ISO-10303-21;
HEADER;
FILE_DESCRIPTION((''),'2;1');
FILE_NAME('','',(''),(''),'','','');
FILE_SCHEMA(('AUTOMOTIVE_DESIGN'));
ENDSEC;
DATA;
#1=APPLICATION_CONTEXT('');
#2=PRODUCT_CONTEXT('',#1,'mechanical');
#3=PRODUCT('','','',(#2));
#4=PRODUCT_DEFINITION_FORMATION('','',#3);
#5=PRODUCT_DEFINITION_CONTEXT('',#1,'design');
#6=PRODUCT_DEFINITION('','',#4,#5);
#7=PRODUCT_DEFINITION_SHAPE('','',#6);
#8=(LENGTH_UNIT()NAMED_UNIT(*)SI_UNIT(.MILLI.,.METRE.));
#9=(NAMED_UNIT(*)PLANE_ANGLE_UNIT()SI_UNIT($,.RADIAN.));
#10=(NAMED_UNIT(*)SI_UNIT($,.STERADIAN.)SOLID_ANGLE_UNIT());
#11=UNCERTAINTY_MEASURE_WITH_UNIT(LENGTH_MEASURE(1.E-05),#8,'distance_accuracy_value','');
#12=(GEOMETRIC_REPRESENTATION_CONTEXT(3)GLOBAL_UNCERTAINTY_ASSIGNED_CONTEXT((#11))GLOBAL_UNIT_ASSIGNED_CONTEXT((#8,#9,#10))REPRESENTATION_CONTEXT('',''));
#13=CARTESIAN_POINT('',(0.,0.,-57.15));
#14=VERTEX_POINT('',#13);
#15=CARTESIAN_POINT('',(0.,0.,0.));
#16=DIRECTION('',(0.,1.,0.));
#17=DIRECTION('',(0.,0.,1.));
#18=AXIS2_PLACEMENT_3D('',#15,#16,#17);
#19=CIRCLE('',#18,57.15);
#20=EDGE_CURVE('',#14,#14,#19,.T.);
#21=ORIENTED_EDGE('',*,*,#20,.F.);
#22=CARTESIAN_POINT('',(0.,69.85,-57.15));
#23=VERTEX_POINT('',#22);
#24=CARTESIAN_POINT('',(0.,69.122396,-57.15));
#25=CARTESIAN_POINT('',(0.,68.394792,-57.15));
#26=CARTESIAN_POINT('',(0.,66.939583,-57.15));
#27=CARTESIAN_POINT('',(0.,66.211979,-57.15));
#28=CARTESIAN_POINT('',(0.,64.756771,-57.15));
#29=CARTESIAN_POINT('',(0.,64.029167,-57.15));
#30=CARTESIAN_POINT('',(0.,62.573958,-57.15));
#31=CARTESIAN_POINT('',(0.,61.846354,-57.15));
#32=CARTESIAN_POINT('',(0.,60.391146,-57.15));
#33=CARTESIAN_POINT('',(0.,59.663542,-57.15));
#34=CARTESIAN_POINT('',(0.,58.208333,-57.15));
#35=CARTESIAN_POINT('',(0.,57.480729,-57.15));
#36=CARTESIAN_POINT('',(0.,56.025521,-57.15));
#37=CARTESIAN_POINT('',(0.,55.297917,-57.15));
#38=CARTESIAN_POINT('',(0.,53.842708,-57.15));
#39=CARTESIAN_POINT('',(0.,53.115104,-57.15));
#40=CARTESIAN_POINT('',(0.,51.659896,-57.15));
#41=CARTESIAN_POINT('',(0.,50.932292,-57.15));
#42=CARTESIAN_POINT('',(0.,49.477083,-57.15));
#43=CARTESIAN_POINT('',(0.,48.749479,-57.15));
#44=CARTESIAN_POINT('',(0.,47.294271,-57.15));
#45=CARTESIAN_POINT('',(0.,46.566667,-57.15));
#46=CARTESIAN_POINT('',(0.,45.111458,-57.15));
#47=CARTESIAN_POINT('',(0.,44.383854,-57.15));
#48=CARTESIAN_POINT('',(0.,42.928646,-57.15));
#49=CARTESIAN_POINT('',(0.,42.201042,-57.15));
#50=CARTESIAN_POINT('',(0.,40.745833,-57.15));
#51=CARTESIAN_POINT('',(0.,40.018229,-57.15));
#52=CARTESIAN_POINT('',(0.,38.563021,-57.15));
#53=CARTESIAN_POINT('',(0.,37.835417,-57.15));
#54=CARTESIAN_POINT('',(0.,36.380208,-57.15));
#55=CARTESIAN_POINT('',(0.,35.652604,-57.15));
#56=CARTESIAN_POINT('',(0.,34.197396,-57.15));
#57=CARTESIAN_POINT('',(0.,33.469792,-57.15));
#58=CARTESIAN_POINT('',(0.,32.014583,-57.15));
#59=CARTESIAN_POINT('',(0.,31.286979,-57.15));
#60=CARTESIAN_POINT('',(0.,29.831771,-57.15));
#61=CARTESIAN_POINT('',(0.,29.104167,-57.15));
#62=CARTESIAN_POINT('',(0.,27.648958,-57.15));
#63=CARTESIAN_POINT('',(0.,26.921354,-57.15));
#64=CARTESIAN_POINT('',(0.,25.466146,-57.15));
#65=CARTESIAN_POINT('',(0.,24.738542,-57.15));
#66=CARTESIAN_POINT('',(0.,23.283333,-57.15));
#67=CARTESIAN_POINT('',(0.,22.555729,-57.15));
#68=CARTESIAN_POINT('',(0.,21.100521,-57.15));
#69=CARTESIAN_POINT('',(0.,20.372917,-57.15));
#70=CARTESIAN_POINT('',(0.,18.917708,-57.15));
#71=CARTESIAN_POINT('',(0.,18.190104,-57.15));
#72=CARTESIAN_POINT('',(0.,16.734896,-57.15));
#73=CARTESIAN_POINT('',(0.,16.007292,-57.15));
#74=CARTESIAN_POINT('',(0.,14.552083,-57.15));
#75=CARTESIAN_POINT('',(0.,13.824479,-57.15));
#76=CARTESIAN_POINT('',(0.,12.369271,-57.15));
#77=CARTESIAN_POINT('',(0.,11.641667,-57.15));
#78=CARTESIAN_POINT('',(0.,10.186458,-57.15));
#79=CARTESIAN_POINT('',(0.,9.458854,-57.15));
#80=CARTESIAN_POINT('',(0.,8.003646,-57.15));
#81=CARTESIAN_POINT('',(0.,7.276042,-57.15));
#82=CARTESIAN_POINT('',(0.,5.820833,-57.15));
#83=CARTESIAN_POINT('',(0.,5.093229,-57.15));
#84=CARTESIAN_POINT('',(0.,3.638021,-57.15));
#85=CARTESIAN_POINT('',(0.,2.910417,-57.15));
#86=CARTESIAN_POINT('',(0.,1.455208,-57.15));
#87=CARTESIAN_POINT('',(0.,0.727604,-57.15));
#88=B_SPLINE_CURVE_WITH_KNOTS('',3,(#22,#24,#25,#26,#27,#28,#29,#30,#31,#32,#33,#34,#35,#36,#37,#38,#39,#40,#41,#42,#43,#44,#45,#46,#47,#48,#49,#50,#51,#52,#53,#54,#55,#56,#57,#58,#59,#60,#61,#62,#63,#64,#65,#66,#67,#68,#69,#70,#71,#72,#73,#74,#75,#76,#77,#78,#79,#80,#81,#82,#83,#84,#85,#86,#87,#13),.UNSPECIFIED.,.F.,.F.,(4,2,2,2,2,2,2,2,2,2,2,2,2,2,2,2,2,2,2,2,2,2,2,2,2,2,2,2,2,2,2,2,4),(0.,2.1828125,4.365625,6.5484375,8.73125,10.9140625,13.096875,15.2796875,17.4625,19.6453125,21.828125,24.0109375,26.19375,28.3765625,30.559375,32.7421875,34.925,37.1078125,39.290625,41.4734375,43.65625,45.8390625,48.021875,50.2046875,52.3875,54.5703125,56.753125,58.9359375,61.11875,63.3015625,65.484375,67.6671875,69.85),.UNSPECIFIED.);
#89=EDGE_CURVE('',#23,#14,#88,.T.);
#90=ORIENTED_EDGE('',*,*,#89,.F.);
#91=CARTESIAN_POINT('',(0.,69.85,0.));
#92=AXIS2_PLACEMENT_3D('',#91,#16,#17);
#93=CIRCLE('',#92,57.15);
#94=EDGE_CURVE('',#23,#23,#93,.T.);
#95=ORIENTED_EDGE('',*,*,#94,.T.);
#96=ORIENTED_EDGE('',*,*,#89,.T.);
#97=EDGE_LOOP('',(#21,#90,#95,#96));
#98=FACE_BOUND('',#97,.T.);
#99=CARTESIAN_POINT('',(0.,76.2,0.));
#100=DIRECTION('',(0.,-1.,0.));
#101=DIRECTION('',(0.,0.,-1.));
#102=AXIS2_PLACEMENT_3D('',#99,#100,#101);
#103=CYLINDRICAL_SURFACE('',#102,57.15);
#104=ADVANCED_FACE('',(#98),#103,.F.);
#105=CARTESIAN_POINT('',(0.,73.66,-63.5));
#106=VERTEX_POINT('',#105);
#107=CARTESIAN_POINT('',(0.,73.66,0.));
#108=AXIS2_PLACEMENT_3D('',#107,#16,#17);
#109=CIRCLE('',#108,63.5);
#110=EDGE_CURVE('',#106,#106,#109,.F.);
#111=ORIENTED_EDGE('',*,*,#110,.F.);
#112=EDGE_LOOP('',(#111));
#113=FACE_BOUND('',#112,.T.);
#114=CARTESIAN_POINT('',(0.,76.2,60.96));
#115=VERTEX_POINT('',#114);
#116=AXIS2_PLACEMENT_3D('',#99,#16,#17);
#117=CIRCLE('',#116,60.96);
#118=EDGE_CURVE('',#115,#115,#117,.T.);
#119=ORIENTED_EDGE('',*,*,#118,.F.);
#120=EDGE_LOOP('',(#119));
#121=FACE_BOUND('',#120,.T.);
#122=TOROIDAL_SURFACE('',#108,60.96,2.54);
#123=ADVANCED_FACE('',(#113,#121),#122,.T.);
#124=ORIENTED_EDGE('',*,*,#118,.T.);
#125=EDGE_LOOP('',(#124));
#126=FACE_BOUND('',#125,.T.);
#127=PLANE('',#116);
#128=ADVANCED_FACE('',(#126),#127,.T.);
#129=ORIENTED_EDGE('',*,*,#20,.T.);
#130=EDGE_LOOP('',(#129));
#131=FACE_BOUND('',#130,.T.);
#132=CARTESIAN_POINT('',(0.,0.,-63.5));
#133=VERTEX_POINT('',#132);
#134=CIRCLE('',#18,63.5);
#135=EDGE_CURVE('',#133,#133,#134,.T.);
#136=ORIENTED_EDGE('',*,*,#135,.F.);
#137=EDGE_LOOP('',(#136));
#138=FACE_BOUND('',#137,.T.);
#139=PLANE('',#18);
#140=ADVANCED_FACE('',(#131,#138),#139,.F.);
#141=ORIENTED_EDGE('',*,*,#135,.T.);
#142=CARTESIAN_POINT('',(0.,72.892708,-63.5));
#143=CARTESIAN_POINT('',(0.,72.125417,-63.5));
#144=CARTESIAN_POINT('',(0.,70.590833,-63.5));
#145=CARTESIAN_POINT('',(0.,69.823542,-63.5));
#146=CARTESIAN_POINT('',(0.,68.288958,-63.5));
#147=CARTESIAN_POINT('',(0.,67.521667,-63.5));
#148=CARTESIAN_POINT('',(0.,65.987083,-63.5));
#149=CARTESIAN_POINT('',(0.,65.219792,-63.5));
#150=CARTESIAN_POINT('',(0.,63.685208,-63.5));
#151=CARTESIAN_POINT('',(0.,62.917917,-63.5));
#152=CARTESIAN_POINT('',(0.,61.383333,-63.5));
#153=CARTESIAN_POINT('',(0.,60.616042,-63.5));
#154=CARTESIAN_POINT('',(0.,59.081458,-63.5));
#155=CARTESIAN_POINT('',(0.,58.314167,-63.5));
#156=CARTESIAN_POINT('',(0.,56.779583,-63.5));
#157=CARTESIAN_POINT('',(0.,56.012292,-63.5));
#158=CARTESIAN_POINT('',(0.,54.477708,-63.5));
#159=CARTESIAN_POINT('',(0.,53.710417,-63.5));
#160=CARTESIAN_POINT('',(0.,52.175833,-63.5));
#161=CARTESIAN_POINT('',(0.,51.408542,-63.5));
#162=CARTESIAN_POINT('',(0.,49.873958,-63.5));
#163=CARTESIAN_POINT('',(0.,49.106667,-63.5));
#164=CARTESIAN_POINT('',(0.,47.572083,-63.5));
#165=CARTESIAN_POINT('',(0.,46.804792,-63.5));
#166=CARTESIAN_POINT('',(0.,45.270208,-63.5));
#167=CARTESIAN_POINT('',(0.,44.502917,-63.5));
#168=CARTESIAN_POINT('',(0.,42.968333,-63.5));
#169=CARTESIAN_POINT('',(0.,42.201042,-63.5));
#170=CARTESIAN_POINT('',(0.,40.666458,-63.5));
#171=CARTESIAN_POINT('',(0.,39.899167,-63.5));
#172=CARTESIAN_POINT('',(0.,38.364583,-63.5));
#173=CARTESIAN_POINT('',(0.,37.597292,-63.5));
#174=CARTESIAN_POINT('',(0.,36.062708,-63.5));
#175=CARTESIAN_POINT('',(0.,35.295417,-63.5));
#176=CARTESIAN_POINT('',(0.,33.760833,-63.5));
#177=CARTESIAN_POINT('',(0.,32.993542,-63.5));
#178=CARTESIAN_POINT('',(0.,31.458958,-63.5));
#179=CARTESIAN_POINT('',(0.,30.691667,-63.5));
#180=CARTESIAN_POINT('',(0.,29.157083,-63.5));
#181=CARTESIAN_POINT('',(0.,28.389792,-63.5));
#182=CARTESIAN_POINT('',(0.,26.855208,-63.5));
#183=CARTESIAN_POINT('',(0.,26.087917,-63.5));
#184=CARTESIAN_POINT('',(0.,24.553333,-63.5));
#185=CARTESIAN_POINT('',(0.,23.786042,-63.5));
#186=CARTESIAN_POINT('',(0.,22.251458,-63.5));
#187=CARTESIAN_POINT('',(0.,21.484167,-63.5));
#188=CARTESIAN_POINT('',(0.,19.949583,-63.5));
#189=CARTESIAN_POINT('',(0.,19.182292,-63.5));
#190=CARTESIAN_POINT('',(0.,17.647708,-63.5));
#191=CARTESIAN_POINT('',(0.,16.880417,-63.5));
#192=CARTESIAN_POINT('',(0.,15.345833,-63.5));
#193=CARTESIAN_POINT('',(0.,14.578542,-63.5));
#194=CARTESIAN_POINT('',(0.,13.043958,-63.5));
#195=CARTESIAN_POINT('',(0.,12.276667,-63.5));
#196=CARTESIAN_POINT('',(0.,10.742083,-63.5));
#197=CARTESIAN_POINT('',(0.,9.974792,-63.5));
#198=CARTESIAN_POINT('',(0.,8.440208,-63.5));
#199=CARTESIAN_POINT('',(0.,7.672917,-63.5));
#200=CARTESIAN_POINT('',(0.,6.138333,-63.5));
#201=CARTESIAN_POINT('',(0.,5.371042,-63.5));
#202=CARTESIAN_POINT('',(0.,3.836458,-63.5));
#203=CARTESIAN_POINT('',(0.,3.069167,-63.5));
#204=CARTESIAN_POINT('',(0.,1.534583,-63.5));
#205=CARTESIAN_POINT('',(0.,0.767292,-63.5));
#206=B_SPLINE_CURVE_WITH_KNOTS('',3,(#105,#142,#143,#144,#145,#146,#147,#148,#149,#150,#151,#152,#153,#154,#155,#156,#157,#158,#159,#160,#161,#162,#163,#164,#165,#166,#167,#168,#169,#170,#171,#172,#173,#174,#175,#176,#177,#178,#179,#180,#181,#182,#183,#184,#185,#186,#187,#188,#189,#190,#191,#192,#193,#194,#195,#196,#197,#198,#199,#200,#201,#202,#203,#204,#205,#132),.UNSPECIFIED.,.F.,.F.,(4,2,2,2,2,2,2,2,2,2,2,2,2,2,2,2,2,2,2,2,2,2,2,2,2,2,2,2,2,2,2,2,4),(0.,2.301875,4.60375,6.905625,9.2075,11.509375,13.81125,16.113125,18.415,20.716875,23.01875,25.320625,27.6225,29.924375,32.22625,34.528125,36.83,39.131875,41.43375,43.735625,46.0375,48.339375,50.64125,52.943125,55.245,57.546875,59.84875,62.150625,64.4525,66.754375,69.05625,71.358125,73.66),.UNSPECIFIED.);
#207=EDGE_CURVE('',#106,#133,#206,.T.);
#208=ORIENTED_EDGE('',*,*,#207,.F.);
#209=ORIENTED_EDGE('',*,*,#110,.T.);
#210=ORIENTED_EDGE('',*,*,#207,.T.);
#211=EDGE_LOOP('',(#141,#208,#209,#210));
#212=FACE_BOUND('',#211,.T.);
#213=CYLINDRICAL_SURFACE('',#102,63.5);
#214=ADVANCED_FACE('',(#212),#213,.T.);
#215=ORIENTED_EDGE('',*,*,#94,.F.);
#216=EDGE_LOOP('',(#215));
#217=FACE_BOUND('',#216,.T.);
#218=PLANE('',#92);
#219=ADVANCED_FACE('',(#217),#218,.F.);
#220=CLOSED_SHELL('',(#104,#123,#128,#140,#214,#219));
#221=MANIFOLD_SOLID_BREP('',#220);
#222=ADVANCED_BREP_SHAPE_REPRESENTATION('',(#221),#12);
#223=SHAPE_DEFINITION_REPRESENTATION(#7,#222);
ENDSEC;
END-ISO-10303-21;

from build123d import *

# Parameters (mm, degrees)
SKETCH1_R           = 63.5
BOSS_EXTRUDE1_DEPTH = 76.2
SHELL1_T            = -6.35
FILLET1_R           = 2.54


with BuildPart() as part:
    # Sketch1 → Boss-Extrude1 (new body)
    with BuildSketch(Plane(origin=(0, 0, 0), x_dir=(1, 0, 0), z_dir=(0, 1, 0))):
        with Locations(Location((0, 0, 0), (0, 0, 90))):
            Circle(SKETCH1_R)
    extrude(amount=BOSS_EXTRUDE1_DEPTH)

    # Shell1
    shell1_openings = [part.faces().sort_by_distance(p)[0] for p in [
        (0, 0, 0),
    ]]
    offset(amount=SHELL1_T, openings=shell1_openings, kind=Kind.INTERSECTION)

    # Fillet1
    fillet1_edges = [part.edges().sort_by_distance(p)[0] for p in [
        (0, 76.2, 63.5),
    ]]
    fillet(fillet1_edges, radius=FILLET1_R)


solid = part.part
